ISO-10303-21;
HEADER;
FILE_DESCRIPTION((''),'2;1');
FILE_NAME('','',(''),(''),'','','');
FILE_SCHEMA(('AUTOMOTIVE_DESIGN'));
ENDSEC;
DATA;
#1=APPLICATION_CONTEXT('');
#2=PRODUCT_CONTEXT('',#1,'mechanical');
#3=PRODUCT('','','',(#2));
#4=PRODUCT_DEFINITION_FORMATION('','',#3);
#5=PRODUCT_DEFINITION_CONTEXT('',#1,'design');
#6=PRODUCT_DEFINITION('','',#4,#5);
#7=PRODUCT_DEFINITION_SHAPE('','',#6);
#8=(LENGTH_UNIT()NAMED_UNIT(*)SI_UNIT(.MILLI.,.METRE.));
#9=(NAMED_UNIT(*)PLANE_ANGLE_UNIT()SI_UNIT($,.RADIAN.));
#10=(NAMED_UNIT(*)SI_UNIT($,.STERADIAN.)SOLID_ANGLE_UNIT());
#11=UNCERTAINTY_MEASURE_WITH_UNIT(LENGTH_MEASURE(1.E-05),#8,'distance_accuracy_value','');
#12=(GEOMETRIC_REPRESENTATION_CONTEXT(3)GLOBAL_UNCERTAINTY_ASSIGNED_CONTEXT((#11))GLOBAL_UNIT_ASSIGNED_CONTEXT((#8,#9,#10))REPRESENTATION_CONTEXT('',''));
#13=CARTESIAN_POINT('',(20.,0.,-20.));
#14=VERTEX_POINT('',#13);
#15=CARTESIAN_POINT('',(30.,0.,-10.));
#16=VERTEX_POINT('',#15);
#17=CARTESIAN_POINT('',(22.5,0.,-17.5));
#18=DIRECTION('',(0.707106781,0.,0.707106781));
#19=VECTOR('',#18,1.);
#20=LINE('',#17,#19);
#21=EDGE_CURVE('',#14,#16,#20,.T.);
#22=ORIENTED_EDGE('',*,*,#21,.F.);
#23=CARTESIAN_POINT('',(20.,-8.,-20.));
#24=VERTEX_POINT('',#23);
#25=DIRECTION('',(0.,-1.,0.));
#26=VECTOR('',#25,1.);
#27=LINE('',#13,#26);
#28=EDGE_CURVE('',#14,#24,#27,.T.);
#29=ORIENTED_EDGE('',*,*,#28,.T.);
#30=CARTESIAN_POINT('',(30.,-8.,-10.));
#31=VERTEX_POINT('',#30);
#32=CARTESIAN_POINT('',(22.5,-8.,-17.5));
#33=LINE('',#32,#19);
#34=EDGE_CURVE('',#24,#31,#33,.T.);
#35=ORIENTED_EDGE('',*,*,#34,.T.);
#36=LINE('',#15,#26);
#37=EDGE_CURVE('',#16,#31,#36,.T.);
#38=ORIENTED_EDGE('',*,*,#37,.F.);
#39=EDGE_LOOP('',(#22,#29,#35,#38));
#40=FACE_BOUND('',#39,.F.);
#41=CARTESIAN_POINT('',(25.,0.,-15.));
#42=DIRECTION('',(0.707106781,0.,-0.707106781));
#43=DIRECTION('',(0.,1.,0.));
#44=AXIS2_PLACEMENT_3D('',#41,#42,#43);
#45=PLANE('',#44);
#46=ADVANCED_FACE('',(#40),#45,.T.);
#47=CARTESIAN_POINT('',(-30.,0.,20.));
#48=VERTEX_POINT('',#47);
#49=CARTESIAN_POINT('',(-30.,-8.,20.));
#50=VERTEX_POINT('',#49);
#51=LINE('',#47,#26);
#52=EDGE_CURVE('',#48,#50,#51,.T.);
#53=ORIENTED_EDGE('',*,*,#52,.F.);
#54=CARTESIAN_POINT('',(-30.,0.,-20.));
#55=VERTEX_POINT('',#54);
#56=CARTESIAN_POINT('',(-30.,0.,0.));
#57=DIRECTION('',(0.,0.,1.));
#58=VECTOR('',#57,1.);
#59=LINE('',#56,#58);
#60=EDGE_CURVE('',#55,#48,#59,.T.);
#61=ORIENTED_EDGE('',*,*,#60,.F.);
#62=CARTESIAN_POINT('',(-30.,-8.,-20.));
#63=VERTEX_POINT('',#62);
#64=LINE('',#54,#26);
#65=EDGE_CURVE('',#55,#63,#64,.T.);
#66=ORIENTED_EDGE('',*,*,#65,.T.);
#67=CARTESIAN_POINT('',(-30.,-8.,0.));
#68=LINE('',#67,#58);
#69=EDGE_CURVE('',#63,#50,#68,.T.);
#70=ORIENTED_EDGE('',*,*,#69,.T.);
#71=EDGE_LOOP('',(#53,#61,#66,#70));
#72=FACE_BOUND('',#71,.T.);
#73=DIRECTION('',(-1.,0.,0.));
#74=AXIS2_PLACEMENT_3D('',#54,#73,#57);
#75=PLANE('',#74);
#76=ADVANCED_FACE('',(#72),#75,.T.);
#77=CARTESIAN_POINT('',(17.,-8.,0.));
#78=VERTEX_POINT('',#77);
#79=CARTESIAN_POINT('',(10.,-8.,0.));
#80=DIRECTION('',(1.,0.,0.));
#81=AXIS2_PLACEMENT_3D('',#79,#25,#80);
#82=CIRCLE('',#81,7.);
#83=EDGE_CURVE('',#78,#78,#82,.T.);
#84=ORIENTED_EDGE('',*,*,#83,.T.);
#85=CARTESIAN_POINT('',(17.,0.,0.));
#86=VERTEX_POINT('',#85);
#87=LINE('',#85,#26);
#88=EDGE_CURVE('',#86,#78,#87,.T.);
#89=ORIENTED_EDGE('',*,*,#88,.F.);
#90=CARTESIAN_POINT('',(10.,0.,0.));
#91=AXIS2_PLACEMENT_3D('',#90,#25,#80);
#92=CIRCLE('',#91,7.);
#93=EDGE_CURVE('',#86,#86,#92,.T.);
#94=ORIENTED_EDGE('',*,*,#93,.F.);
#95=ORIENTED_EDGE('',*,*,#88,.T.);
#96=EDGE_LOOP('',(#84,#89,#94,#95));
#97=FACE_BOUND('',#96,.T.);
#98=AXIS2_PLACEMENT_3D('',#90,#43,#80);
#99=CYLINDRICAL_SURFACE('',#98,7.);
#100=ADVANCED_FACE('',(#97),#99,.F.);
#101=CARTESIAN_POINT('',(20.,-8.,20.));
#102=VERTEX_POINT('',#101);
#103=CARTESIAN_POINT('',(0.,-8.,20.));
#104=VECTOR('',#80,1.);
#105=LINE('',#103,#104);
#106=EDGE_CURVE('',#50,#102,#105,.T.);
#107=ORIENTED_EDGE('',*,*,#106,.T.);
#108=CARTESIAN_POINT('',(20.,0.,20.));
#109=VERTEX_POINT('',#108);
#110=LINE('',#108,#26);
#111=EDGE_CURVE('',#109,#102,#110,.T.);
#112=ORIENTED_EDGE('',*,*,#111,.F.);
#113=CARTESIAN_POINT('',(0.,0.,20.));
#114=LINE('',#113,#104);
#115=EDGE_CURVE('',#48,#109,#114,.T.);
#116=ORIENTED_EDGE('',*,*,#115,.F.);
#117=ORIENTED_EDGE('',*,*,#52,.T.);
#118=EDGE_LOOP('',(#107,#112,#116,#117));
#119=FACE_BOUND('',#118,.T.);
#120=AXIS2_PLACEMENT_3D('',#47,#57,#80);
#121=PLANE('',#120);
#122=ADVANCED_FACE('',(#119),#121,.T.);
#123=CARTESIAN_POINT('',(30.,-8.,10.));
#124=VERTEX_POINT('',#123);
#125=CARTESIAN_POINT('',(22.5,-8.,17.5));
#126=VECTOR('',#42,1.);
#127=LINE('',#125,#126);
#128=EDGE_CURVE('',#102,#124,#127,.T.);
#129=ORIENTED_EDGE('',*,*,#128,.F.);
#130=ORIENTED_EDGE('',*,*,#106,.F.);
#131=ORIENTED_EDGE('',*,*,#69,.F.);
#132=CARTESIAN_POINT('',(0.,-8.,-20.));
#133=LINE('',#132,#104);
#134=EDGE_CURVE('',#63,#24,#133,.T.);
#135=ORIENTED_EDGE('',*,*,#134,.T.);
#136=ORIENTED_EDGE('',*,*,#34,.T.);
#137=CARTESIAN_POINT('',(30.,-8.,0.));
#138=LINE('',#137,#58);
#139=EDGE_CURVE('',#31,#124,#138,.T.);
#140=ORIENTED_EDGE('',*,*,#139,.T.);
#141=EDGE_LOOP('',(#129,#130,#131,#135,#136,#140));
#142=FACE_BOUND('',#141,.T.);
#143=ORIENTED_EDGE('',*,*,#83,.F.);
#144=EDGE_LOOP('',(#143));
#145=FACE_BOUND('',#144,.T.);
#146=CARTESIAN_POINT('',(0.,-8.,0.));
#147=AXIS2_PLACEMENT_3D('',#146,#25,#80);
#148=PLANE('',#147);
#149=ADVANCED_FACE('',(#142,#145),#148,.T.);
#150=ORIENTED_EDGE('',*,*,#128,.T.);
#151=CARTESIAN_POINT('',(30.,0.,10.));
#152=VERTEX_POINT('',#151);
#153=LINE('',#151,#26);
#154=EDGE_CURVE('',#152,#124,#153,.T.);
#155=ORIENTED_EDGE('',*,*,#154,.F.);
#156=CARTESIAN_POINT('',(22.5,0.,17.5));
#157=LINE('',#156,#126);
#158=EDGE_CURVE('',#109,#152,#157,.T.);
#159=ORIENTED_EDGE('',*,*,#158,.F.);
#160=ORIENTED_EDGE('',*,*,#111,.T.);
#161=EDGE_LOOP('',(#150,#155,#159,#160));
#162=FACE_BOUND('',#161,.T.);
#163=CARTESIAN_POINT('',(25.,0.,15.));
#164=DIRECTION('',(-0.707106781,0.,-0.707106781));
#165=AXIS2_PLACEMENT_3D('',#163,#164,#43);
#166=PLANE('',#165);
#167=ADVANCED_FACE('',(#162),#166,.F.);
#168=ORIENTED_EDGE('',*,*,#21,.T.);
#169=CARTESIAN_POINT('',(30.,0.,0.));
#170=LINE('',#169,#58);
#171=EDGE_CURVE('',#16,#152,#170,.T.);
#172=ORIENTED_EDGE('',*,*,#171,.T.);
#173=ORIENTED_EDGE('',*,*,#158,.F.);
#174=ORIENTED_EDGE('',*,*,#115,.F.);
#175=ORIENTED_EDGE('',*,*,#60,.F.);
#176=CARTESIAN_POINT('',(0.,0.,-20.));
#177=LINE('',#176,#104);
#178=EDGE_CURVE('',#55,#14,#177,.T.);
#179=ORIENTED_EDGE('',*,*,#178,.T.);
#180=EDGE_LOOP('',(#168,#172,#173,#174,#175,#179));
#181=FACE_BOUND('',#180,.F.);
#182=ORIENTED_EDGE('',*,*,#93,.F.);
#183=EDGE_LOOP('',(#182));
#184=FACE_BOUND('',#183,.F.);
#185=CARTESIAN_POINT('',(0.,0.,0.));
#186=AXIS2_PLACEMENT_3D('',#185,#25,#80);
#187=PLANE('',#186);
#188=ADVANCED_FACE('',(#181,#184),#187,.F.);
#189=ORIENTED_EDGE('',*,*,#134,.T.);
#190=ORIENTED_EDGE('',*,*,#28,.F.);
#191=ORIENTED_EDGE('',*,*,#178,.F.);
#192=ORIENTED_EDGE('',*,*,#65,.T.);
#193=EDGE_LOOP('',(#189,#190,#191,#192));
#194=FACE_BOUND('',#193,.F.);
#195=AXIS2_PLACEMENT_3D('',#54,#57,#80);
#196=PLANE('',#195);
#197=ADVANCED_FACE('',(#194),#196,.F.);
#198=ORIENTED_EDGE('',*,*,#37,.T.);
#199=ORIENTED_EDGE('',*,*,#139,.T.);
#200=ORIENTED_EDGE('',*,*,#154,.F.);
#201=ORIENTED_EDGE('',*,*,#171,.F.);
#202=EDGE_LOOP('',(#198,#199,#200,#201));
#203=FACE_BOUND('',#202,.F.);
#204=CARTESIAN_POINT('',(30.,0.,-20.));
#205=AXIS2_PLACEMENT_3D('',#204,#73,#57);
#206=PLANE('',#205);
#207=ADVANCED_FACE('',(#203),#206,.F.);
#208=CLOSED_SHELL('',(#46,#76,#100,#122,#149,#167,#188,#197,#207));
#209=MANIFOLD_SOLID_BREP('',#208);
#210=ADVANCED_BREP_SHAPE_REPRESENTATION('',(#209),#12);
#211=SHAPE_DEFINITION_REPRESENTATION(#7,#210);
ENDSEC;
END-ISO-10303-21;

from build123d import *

# Parameters (mm, degrees)
F0_W     = 60
F0_H     = 40
F0_R     = 7
F1_DEPTH = 8
F2_SIZE  = 10


with BuildPart() as f1:
    # F0 (on Front) → F1 (new body)
    with BuildSketch(Plane.XZ):
        Rectangle(F0_W, F0_H)
        with Locations((10, 0)):
            Circle(F0_R, mode=Mode.SUBTRACT)
    extrude(amount=F1_DEPTH)

    # F2
    f2_edges = [f1.edges().sort_by_distance(p)[0] for p in [
        (30, -4, -20),
        (30, -4, 20),
    ]]
    chamfer(f2_edges, length=F2_SIZE)


solid = f1.part
